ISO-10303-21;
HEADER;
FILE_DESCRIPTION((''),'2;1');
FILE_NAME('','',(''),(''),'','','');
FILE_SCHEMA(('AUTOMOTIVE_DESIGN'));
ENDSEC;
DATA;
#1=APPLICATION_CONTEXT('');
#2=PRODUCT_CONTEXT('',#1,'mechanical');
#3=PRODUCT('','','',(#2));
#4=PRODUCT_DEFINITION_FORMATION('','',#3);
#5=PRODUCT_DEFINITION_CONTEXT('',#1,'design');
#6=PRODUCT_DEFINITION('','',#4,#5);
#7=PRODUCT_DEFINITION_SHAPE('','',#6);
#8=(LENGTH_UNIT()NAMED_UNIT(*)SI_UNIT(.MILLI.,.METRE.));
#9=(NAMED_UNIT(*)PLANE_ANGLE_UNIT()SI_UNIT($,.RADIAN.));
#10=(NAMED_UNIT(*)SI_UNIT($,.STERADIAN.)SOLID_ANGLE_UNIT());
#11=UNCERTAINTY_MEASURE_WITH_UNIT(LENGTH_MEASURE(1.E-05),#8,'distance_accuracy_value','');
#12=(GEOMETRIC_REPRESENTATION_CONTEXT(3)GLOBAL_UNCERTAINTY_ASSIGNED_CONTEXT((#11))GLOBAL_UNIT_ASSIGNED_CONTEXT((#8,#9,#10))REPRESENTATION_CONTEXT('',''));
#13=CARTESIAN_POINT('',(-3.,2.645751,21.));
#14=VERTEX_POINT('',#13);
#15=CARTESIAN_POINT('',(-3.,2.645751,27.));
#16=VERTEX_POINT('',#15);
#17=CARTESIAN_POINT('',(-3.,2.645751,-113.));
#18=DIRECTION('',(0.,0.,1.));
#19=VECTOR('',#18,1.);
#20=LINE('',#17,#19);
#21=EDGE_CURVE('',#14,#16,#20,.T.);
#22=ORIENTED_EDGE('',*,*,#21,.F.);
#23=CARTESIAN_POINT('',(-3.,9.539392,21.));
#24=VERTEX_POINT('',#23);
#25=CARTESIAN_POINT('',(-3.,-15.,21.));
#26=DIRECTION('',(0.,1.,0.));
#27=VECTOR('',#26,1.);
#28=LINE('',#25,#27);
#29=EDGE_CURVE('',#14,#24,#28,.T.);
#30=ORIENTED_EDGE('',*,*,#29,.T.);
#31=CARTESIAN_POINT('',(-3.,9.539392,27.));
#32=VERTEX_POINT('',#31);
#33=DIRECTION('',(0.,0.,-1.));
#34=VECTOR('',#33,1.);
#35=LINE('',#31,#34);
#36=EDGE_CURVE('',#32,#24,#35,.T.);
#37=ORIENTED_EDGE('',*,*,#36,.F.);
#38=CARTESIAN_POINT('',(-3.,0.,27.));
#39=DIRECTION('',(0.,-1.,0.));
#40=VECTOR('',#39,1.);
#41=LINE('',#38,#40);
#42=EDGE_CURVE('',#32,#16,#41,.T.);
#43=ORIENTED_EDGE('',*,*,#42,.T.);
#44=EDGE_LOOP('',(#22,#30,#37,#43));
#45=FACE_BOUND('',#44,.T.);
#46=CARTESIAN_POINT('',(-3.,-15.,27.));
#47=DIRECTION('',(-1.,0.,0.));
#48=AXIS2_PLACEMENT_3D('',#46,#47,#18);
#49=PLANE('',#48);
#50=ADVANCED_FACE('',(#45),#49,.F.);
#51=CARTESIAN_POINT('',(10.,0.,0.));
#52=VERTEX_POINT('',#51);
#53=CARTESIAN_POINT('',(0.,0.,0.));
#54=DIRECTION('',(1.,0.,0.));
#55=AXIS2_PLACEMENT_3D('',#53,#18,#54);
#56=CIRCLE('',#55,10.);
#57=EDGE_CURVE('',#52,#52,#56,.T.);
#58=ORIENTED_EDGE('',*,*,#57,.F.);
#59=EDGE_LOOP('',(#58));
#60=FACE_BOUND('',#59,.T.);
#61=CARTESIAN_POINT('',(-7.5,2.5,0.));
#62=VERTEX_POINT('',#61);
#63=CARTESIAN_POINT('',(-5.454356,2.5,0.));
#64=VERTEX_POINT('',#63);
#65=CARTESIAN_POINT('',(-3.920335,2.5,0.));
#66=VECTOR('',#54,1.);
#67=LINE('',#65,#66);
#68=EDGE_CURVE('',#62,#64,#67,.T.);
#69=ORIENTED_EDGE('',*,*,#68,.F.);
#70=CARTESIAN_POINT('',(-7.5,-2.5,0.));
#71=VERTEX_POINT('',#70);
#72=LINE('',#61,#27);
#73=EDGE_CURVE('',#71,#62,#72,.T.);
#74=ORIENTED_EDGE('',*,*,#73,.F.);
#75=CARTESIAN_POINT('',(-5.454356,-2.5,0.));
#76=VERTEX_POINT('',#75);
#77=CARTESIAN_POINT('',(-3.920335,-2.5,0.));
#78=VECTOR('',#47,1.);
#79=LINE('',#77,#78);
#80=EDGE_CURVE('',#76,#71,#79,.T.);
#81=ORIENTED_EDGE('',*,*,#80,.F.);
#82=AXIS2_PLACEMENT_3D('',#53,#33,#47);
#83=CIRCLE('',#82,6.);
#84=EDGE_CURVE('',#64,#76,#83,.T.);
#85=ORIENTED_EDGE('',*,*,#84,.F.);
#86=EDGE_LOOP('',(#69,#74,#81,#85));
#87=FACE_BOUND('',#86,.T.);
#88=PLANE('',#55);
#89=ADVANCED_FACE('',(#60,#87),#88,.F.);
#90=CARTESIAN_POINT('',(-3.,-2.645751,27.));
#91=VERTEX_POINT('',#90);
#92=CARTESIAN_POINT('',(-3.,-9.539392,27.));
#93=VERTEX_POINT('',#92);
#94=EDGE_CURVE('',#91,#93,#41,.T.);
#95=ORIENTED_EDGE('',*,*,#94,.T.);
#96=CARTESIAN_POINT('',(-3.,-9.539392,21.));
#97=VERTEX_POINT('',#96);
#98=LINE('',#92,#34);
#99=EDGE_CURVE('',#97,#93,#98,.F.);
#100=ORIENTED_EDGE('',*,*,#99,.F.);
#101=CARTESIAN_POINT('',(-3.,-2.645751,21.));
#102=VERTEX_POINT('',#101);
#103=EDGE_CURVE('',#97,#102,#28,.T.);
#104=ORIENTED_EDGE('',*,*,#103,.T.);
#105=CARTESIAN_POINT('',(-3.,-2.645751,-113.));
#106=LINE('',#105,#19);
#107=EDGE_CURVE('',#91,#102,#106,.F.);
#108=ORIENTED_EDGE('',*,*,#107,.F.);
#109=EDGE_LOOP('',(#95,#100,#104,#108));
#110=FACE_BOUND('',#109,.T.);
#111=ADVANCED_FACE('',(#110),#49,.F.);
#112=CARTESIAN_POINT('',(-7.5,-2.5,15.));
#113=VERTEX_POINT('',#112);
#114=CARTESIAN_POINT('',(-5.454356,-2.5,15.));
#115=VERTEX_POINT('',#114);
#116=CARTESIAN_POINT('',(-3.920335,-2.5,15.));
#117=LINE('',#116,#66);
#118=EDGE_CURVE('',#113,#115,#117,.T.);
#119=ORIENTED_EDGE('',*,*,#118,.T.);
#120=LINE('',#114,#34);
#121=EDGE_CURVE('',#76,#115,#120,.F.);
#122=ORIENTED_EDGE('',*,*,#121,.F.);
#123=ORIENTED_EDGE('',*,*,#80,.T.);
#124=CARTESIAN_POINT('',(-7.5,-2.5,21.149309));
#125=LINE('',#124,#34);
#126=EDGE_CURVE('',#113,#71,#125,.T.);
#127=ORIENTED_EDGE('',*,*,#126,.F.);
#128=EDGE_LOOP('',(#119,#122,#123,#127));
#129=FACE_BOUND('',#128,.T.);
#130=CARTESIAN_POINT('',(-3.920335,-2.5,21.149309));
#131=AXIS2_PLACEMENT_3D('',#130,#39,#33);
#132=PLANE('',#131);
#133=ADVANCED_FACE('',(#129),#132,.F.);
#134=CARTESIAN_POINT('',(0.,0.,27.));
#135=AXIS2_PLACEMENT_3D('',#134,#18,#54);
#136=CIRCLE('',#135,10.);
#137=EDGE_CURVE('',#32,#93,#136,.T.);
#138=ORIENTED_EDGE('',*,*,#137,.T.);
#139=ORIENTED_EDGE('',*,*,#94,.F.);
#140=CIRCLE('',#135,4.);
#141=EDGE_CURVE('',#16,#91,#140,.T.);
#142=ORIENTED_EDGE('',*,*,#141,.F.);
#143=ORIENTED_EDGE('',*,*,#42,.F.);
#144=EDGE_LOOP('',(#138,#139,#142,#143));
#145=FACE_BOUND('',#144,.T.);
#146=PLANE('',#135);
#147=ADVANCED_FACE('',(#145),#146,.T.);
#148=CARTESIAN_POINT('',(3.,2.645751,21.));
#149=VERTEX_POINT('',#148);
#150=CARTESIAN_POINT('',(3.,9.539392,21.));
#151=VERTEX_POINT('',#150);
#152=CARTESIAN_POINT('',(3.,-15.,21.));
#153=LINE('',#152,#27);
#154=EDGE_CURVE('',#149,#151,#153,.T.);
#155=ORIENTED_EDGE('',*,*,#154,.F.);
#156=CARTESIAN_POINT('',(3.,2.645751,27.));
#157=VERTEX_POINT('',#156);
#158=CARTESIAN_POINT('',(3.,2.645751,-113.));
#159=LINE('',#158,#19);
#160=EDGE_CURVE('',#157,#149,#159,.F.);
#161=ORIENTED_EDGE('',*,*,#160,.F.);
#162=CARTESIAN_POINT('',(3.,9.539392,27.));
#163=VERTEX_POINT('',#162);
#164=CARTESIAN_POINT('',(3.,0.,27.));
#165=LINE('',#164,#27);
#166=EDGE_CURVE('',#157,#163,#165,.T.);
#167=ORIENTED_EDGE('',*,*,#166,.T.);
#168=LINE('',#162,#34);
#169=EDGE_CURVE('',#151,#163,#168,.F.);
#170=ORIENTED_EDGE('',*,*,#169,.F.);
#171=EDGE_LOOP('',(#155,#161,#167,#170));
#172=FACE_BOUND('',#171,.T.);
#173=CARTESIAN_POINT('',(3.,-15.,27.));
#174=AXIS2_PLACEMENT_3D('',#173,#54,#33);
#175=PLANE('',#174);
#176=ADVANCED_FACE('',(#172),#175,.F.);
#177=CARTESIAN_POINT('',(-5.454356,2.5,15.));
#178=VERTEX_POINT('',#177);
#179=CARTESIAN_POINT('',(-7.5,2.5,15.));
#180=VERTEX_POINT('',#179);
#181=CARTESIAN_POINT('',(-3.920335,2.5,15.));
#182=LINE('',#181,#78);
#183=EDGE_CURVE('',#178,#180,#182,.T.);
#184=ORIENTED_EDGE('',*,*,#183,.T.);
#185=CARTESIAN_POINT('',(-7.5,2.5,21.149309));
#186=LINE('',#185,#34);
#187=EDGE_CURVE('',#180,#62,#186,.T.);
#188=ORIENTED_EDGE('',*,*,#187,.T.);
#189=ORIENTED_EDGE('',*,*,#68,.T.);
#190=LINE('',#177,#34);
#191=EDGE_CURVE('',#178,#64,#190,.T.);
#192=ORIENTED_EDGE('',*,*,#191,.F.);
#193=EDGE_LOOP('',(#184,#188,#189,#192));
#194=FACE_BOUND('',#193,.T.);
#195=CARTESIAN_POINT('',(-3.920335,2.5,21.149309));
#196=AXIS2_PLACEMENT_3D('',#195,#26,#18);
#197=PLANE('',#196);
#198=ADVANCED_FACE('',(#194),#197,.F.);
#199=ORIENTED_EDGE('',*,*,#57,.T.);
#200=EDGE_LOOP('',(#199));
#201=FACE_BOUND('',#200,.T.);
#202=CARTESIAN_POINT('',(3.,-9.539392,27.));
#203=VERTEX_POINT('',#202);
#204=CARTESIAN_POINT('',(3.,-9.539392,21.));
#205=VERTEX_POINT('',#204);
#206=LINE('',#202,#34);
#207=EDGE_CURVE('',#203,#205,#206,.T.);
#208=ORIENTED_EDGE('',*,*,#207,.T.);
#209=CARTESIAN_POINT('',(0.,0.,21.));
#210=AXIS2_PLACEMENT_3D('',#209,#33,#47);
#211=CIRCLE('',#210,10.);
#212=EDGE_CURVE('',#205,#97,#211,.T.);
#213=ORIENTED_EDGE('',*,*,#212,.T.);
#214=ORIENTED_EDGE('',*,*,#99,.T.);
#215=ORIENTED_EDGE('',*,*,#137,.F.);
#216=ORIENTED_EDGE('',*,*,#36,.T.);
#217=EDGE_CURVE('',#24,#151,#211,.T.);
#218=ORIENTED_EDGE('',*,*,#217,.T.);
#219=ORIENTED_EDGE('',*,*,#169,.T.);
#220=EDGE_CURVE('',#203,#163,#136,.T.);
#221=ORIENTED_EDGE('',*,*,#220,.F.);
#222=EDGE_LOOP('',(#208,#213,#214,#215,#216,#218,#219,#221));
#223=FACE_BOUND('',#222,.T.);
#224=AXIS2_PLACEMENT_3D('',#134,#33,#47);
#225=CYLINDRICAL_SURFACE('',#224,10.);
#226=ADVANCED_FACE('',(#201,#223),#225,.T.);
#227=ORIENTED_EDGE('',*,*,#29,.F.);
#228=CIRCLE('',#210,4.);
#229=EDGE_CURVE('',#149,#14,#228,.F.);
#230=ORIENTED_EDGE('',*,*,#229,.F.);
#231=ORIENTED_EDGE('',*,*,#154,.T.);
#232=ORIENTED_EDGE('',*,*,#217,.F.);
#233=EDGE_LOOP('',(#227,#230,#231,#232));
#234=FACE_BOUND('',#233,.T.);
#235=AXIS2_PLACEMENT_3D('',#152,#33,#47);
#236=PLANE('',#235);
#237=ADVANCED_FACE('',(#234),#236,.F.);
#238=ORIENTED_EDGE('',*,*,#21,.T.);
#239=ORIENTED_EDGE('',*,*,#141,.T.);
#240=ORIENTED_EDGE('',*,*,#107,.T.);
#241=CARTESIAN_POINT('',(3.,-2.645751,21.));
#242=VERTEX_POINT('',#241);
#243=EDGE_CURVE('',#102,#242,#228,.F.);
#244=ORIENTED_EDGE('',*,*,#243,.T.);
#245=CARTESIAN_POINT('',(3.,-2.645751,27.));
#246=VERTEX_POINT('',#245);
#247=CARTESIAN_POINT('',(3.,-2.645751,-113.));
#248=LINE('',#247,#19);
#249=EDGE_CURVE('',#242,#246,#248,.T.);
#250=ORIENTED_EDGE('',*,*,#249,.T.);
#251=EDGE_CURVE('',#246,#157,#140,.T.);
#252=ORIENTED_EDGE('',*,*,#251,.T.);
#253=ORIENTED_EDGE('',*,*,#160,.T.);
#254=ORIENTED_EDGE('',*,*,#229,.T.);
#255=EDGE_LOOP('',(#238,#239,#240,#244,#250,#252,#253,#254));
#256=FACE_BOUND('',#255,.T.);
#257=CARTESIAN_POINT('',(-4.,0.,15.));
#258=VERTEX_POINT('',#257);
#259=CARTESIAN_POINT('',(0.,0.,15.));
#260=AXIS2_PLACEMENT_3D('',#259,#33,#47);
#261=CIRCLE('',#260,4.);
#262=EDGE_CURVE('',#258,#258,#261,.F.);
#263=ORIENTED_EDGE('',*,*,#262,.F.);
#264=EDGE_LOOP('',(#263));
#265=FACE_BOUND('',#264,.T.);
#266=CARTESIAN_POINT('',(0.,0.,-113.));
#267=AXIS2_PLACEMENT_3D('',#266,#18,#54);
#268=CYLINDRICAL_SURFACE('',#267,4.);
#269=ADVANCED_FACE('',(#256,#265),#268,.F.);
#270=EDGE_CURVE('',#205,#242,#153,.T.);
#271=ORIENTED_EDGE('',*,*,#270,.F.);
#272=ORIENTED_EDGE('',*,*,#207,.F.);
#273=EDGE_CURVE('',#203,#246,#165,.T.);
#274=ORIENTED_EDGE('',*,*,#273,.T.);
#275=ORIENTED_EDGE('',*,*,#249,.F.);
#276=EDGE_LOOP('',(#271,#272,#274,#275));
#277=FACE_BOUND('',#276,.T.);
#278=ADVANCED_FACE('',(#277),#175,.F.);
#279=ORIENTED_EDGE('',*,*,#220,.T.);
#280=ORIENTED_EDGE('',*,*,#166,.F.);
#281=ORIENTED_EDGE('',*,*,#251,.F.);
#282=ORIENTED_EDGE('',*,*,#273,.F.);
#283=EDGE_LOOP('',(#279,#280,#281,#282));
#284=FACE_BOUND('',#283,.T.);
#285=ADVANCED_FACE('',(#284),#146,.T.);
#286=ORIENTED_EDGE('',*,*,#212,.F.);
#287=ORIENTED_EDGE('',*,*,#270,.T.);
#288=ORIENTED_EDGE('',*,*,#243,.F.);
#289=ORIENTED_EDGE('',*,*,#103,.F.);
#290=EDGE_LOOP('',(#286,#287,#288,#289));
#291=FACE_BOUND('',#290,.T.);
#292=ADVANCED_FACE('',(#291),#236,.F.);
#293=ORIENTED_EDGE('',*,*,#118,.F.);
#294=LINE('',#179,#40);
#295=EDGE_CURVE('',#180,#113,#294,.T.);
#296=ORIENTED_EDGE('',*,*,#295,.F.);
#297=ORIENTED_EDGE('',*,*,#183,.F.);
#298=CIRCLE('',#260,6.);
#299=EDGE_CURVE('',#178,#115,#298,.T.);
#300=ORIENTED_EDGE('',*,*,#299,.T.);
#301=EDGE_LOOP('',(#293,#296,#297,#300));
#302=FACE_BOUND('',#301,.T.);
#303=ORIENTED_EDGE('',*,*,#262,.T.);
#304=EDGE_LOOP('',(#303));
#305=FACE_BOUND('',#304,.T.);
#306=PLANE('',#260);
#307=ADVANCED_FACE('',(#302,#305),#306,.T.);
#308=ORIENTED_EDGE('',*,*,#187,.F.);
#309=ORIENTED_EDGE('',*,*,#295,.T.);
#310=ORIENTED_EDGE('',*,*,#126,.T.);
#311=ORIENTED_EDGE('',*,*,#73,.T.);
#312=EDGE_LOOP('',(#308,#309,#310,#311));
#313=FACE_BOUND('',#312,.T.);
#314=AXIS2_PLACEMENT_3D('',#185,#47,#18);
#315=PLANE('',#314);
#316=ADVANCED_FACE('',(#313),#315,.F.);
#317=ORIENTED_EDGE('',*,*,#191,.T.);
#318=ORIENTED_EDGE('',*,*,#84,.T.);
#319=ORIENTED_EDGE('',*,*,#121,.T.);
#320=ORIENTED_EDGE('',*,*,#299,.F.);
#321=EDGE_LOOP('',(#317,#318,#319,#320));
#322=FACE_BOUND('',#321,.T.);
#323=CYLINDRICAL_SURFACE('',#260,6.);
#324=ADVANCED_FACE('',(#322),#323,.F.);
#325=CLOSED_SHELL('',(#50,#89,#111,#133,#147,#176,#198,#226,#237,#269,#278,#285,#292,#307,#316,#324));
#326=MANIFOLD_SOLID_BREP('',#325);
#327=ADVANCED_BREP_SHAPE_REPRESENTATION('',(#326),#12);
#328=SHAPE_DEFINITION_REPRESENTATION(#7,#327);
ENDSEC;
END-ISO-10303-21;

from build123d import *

# Parameters (mm, degrees)
SKETCH1_R           = 10
BOSS_EXTRUDE1_DEPTH = 27
SKETCH2_R           = 4
CUT_EXTRUDE1_DEPTH  = 140
SKETCH3_R           = 6
CUT_EXTRUDE2_DEPTH  = 15
SKETCH4_W           = 6
SKETCH4_H           = 6
CUT_EXTRUDE3_DEPTH  = 15
SKETCH5_W           = 3.5796646
SKETCH5_H           = 5
CUT_EXTRUDE4_DEPTH  = 15


with BuildPart() as part:
    # Sketch1 → Boss-Extrude1 (new body)
    with BuildSketch(Plane.XY):
        Circle(SKETCH1_R)
    extrude(amount=BOSS_EXTRUDE1_DEPTH)

    # Sketch2 → Cut-Extrude1 (cut)
    with BuildSketch(Plane.XY.offset(27)):
        Circle(SKETCH2_R)
    extrude(amount=-CUT_EXTRUDE1_DEPTH, mode=Mode.SUBTRACT)

    # Sketch3 → Cut-Extrude2 (cut)
    with BuildSketch(Plane(origin=(0, 0, 0), x_dir=(-1, 0, 0), z_dir=(0, 0, -1))):
        Circle(SKETCH3_R)
    extrude(amount=-CUT_EXTRUDE2_DEPTH, mode=Mode.SUBTRACT)

    # Sketch4 → Cut-Extrude3 (cut, symmetric)
    with BuildSketch(Plane(origin=(0, 0, 0), x_dir=(1, 0, 0), z_dir=(0, 1, 0))):
        with Locations((0, -24)):
            Rectangle(SKETCH4_W, SKETCH4_H)
    extrude(amount=CUT_EXTRUDE3_DEPTH, both=True, mode=Mode.SUBTRACT)

    # Sketch5 → Cut-Extrude4 (cut)
    with BuildSketch(Plane(origin=(0, 0, 0), x_dir=(-1, 0, 0), z_dir=(0, 0, -1))):
        with Locations((5.7101677, 0)):
            Rectangle(SKETCH5_W, SKETCH5_H)
    extrude(amount=-CUT_EXTRUDE4_DEPTH, mode=Mode.SUBTRACT)


solid = part.part
